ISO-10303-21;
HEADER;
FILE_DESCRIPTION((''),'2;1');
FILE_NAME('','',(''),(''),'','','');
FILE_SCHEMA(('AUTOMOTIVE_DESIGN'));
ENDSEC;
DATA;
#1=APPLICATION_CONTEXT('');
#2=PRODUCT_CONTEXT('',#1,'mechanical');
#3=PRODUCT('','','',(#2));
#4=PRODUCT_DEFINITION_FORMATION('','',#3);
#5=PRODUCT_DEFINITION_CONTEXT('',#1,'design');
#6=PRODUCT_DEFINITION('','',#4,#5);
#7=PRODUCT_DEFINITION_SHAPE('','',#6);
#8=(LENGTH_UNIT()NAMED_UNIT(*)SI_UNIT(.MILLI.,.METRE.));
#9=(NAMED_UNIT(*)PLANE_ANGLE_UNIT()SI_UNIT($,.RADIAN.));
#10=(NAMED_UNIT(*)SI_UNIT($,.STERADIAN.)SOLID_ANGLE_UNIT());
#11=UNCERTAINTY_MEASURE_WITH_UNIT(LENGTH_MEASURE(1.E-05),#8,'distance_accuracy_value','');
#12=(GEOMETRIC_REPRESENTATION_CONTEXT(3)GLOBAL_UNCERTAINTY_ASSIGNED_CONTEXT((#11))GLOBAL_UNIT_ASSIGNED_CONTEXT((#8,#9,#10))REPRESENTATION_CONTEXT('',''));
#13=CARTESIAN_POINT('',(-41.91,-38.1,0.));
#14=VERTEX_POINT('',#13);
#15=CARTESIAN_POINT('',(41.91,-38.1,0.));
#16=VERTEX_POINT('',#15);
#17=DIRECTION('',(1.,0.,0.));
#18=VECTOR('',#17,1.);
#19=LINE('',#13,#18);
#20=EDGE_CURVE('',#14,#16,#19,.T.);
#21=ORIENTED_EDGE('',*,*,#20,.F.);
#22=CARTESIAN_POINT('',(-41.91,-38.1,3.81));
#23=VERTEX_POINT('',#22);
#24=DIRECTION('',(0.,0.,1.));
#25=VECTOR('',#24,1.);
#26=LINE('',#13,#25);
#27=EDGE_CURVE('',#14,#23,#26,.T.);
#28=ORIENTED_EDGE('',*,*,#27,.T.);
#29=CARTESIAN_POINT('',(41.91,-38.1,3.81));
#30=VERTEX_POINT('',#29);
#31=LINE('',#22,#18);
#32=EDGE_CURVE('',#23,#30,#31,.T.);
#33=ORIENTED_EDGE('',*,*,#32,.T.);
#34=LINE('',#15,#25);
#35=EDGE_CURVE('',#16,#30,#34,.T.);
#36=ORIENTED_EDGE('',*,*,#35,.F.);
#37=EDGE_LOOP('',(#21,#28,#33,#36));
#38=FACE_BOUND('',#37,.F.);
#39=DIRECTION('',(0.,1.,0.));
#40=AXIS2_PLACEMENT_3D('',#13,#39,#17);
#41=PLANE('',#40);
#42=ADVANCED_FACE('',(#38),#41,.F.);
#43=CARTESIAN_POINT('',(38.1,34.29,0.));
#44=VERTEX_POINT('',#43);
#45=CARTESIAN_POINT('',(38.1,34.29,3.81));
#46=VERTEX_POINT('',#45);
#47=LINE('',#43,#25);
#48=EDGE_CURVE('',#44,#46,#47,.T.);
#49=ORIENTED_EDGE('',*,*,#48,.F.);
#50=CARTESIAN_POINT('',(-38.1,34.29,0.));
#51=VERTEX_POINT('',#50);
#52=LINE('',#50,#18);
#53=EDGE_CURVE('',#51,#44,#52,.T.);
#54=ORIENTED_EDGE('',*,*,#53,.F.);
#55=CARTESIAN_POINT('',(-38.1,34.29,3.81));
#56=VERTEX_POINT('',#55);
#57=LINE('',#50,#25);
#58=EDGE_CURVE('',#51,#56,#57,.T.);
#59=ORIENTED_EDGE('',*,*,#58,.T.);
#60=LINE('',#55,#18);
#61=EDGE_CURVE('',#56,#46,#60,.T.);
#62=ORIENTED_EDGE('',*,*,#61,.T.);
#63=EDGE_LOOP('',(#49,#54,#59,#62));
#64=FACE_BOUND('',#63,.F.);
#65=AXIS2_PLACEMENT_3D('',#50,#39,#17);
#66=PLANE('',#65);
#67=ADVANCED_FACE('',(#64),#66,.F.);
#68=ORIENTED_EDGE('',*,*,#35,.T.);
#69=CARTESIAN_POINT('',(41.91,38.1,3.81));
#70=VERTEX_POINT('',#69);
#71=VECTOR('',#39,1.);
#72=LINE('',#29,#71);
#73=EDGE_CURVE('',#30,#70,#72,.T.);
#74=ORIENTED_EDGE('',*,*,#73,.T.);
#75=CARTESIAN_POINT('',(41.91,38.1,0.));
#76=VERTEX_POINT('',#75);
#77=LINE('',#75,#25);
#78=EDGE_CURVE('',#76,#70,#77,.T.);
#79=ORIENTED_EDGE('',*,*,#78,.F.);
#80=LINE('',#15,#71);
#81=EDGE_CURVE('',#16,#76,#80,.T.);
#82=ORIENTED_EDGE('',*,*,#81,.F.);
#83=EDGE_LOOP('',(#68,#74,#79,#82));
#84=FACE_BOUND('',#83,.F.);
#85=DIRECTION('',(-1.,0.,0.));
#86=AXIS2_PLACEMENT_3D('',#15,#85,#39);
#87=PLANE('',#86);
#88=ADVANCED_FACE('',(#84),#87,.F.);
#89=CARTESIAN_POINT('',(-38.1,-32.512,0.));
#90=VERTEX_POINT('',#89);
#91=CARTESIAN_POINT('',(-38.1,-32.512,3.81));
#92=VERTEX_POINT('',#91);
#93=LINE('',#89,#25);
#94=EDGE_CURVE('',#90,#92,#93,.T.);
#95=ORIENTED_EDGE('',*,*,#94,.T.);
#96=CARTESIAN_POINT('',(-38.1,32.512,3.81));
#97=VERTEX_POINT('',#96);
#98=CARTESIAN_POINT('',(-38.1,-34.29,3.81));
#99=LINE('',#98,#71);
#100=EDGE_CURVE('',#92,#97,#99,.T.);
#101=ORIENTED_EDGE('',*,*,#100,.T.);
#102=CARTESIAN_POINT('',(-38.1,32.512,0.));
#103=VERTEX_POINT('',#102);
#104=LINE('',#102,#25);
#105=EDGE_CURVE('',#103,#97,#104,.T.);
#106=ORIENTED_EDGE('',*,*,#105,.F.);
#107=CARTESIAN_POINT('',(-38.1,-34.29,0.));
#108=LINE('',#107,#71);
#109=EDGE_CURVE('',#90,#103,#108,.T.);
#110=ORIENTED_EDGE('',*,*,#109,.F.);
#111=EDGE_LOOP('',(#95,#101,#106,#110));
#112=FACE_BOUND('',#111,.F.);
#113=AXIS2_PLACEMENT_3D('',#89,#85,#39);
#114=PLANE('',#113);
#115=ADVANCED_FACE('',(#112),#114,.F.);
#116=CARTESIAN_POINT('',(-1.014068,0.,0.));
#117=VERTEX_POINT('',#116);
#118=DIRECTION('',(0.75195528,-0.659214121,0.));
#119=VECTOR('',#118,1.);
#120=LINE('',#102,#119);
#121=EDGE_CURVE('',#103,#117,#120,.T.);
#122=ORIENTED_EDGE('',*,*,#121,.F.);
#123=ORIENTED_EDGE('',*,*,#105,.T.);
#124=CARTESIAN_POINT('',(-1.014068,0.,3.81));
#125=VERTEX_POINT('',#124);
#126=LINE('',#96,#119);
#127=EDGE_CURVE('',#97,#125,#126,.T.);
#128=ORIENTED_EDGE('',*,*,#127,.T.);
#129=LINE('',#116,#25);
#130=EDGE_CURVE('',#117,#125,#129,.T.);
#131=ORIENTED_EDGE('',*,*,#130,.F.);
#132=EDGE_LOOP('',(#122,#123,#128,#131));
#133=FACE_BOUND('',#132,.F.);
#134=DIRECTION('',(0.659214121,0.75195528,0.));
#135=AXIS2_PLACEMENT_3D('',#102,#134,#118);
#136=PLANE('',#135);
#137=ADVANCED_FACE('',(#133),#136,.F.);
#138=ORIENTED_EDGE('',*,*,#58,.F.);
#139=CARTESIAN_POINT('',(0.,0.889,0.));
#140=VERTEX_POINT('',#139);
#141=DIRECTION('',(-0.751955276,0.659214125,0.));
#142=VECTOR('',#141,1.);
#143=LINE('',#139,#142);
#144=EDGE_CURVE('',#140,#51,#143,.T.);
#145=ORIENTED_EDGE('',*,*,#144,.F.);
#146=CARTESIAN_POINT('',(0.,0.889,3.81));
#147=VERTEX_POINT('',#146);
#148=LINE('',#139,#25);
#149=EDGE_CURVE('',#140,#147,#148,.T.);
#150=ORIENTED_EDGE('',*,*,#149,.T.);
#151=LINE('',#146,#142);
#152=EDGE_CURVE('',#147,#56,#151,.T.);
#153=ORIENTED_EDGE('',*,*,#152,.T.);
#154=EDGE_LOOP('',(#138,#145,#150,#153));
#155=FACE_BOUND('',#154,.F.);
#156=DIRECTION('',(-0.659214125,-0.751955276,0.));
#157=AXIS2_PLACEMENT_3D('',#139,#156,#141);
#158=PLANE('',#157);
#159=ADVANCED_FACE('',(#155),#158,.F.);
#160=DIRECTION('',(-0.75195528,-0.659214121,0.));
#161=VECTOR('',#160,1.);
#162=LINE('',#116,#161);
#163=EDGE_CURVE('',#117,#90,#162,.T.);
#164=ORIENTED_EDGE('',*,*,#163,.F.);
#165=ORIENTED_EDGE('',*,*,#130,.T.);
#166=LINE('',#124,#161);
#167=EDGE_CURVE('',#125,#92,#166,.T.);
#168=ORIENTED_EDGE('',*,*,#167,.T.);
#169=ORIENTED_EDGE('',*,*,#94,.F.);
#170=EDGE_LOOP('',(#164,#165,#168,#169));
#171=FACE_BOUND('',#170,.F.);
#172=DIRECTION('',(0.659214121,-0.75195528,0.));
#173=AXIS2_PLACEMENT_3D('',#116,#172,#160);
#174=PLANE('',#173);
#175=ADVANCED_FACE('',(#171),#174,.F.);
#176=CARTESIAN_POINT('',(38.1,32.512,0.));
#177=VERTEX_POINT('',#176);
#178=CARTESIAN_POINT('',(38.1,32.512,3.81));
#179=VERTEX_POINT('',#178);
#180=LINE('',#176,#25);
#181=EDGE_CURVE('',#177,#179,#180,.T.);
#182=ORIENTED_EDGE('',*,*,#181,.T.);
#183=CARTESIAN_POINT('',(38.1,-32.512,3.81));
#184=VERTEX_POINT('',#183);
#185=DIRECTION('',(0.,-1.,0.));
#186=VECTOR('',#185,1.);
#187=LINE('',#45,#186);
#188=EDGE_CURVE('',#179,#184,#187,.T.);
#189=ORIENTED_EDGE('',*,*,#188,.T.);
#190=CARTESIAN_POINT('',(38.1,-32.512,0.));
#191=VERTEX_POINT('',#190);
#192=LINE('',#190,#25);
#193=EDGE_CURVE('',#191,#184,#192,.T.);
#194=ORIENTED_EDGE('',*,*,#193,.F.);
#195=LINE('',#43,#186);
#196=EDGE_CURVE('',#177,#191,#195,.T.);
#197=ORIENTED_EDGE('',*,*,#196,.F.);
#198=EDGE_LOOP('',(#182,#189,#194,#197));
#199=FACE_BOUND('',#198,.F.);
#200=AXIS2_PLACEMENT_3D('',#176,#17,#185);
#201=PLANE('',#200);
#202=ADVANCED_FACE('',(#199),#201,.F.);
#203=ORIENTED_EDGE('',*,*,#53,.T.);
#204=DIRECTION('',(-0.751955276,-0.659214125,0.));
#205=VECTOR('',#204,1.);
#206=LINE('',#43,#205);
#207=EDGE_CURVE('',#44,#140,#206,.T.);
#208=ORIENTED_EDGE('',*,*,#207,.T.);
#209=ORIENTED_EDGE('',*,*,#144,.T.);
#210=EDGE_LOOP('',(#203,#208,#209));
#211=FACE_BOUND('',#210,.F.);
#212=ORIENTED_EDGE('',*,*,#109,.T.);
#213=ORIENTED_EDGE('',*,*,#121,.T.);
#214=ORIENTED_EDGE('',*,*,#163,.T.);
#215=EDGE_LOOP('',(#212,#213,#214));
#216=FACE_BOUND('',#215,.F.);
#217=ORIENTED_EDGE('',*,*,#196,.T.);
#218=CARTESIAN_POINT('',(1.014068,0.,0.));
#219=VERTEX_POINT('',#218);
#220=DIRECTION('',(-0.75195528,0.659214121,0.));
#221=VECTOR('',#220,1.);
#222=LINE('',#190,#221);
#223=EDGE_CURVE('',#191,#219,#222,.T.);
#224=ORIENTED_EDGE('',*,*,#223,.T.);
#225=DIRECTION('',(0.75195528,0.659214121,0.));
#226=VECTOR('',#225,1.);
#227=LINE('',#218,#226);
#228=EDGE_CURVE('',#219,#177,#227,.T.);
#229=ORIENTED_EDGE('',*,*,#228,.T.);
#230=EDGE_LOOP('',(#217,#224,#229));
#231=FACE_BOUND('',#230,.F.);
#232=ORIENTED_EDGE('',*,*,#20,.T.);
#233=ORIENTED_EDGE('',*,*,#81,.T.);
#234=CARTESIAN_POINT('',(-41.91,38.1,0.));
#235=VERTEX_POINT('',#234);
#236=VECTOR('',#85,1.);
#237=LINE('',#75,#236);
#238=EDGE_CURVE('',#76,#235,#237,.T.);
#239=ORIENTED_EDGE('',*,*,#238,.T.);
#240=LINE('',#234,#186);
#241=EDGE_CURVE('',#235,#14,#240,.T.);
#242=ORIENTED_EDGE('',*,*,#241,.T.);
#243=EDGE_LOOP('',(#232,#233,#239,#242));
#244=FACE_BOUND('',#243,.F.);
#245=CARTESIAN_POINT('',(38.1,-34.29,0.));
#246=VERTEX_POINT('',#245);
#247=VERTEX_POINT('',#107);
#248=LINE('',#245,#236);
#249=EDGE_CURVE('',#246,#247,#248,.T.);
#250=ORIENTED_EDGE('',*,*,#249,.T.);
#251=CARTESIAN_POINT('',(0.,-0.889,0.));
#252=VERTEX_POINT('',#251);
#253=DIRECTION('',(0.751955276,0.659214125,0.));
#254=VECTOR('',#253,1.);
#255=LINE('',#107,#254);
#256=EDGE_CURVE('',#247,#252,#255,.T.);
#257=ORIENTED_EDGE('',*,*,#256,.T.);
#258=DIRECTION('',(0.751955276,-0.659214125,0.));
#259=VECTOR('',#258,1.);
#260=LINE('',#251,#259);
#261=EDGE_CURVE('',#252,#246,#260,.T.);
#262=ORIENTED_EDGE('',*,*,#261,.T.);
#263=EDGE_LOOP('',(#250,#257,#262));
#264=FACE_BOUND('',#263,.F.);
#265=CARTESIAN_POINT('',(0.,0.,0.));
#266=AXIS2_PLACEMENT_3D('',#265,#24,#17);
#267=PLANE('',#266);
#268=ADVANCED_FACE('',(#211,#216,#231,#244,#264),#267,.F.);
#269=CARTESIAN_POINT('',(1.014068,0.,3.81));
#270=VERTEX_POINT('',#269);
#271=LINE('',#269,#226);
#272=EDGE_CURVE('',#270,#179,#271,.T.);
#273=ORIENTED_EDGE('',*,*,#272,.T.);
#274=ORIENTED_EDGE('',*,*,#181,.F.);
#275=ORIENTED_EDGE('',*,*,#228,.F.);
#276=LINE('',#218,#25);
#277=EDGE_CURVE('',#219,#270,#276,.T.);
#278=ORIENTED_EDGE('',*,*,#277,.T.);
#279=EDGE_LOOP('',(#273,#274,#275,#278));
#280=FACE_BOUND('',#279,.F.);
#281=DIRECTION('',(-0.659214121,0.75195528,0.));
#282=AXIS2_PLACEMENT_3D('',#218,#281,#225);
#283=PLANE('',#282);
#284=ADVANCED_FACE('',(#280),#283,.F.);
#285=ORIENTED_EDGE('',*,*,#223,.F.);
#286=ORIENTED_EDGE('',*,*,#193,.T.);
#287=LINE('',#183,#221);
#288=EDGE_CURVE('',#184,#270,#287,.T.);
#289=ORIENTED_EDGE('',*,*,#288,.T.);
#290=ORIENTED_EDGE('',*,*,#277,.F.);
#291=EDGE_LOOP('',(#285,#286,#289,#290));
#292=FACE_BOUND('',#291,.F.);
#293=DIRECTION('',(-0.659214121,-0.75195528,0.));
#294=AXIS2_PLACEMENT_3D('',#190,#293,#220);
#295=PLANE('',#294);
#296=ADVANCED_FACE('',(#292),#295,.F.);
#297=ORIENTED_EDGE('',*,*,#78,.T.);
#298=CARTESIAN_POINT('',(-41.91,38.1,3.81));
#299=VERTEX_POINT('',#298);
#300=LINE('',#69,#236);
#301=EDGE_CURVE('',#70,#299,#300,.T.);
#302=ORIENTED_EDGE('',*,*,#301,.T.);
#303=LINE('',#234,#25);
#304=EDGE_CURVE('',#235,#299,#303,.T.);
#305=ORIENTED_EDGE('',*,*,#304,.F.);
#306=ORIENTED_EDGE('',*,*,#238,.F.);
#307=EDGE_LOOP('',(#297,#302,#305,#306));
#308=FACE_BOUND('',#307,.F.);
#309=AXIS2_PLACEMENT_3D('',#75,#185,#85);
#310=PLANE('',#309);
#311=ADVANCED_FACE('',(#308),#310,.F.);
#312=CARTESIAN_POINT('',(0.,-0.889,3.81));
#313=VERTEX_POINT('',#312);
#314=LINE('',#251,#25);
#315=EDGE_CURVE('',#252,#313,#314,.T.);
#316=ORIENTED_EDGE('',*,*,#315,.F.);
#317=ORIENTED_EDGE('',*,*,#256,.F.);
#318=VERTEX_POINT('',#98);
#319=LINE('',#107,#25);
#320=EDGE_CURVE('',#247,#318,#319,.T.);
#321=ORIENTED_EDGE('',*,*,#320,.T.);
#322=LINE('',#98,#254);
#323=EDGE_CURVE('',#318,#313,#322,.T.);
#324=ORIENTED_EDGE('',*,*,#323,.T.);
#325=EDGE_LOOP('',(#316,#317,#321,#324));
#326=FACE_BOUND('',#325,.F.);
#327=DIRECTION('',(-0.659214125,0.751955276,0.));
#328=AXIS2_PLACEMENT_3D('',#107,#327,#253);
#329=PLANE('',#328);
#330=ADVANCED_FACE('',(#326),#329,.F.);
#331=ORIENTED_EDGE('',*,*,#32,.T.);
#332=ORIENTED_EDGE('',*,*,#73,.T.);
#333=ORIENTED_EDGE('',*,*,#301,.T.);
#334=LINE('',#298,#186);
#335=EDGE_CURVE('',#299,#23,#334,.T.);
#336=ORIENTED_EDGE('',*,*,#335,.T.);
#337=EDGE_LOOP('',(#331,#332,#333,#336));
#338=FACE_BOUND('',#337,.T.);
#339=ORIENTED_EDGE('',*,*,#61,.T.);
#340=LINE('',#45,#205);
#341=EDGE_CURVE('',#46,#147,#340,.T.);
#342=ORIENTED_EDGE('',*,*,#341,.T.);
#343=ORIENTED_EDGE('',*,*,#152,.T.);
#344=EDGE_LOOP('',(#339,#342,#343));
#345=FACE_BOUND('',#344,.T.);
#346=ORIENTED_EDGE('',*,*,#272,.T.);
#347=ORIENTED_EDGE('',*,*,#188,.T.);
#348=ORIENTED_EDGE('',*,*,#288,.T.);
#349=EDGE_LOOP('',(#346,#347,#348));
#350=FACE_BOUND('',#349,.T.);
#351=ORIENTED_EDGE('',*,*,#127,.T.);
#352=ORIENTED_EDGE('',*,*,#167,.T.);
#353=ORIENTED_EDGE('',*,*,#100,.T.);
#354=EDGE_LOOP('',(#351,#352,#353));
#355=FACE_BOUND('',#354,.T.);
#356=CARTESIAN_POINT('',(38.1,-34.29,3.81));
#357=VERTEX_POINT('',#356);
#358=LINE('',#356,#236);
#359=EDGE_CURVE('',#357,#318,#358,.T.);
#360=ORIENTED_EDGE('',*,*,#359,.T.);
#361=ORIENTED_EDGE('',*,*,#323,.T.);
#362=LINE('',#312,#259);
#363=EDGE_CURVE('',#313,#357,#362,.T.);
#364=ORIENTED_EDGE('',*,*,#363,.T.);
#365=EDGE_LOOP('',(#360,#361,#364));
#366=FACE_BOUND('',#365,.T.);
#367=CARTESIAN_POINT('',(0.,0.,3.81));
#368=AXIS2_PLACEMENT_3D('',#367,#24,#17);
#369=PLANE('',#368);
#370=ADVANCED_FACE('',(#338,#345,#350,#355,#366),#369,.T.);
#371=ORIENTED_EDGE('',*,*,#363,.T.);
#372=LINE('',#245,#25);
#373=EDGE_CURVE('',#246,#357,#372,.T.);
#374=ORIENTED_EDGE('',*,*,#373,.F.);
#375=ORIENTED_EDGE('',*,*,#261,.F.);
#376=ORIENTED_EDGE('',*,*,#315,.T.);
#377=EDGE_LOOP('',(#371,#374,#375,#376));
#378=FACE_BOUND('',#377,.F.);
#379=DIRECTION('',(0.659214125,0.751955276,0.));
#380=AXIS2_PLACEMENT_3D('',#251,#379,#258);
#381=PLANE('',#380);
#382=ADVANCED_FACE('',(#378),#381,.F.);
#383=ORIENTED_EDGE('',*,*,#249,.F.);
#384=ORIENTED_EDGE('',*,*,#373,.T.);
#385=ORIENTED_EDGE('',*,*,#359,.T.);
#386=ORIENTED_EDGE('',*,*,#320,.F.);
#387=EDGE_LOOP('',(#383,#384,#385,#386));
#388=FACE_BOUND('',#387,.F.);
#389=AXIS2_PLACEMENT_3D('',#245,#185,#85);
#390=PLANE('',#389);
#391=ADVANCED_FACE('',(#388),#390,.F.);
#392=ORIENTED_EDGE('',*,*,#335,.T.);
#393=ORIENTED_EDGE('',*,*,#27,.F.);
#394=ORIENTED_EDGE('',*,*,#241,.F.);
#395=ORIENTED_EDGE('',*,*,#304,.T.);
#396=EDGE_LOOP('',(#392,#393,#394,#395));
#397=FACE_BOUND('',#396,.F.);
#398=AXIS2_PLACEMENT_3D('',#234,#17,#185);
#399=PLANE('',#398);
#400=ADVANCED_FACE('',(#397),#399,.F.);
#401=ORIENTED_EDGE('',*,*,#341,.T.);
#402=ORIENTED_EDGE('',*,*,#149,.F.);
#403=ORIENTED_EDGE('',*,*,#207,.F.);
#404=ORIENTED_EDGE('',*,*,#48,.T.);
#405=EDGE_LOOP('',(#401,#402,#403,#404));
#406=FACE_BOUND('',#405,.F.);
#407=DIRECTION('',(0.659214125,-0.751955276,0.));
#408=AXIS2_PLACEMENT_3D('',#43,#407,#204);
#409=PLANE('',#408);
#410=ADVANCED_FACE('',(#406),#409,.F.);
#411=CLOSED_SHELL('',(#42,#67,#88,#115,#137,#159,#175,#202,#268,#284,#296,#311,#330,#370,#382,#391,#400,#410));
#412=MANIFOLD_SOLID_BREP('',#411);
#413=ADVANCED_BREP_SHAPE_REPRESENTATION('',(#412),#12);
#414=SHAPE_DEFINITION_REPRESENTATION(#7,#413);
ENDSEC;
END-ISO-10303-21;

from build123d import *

# Parameters (mm, degrees)
F1_DEPTH = 3.81


with BuildPart() as f1:
    # F0 (on Top) → F1 (new body)
    with BuildSketch(Plane.XY):
        Polygon((-41.91, 38.1), (-41.91, -38.1), (41.91, -38.1), (41.91, -34.13125), (41.91, -30.1625), (41.91, -26.19375), (41.91, -22.225), (41.91, 38.1), align=None)
        Polygon((-38.1, 32.512), (-38.1, 34.29), (38.1, 34.29), (38.1, 32.512), (38.1, -32.512), (38.1, -34.29), (-38.1, -34.29), (-38.1, -32.512), align=None, mode=Mode.SUBTRACT)
        Polygon((0, 0.889), (-38.1, 34.29), (-38.1, 32.512), (-1.014068, 0), (-38.1, -32.512), (-38.1, -34.29), (0, -0.889), (38.1, -34.29), (38.1, -32.512), (1.014068, 0), (38.1, 32.512), (38.1, 34.29), align=None)
    extrude(amount=F1_DEPTH)


solid = f1.part
